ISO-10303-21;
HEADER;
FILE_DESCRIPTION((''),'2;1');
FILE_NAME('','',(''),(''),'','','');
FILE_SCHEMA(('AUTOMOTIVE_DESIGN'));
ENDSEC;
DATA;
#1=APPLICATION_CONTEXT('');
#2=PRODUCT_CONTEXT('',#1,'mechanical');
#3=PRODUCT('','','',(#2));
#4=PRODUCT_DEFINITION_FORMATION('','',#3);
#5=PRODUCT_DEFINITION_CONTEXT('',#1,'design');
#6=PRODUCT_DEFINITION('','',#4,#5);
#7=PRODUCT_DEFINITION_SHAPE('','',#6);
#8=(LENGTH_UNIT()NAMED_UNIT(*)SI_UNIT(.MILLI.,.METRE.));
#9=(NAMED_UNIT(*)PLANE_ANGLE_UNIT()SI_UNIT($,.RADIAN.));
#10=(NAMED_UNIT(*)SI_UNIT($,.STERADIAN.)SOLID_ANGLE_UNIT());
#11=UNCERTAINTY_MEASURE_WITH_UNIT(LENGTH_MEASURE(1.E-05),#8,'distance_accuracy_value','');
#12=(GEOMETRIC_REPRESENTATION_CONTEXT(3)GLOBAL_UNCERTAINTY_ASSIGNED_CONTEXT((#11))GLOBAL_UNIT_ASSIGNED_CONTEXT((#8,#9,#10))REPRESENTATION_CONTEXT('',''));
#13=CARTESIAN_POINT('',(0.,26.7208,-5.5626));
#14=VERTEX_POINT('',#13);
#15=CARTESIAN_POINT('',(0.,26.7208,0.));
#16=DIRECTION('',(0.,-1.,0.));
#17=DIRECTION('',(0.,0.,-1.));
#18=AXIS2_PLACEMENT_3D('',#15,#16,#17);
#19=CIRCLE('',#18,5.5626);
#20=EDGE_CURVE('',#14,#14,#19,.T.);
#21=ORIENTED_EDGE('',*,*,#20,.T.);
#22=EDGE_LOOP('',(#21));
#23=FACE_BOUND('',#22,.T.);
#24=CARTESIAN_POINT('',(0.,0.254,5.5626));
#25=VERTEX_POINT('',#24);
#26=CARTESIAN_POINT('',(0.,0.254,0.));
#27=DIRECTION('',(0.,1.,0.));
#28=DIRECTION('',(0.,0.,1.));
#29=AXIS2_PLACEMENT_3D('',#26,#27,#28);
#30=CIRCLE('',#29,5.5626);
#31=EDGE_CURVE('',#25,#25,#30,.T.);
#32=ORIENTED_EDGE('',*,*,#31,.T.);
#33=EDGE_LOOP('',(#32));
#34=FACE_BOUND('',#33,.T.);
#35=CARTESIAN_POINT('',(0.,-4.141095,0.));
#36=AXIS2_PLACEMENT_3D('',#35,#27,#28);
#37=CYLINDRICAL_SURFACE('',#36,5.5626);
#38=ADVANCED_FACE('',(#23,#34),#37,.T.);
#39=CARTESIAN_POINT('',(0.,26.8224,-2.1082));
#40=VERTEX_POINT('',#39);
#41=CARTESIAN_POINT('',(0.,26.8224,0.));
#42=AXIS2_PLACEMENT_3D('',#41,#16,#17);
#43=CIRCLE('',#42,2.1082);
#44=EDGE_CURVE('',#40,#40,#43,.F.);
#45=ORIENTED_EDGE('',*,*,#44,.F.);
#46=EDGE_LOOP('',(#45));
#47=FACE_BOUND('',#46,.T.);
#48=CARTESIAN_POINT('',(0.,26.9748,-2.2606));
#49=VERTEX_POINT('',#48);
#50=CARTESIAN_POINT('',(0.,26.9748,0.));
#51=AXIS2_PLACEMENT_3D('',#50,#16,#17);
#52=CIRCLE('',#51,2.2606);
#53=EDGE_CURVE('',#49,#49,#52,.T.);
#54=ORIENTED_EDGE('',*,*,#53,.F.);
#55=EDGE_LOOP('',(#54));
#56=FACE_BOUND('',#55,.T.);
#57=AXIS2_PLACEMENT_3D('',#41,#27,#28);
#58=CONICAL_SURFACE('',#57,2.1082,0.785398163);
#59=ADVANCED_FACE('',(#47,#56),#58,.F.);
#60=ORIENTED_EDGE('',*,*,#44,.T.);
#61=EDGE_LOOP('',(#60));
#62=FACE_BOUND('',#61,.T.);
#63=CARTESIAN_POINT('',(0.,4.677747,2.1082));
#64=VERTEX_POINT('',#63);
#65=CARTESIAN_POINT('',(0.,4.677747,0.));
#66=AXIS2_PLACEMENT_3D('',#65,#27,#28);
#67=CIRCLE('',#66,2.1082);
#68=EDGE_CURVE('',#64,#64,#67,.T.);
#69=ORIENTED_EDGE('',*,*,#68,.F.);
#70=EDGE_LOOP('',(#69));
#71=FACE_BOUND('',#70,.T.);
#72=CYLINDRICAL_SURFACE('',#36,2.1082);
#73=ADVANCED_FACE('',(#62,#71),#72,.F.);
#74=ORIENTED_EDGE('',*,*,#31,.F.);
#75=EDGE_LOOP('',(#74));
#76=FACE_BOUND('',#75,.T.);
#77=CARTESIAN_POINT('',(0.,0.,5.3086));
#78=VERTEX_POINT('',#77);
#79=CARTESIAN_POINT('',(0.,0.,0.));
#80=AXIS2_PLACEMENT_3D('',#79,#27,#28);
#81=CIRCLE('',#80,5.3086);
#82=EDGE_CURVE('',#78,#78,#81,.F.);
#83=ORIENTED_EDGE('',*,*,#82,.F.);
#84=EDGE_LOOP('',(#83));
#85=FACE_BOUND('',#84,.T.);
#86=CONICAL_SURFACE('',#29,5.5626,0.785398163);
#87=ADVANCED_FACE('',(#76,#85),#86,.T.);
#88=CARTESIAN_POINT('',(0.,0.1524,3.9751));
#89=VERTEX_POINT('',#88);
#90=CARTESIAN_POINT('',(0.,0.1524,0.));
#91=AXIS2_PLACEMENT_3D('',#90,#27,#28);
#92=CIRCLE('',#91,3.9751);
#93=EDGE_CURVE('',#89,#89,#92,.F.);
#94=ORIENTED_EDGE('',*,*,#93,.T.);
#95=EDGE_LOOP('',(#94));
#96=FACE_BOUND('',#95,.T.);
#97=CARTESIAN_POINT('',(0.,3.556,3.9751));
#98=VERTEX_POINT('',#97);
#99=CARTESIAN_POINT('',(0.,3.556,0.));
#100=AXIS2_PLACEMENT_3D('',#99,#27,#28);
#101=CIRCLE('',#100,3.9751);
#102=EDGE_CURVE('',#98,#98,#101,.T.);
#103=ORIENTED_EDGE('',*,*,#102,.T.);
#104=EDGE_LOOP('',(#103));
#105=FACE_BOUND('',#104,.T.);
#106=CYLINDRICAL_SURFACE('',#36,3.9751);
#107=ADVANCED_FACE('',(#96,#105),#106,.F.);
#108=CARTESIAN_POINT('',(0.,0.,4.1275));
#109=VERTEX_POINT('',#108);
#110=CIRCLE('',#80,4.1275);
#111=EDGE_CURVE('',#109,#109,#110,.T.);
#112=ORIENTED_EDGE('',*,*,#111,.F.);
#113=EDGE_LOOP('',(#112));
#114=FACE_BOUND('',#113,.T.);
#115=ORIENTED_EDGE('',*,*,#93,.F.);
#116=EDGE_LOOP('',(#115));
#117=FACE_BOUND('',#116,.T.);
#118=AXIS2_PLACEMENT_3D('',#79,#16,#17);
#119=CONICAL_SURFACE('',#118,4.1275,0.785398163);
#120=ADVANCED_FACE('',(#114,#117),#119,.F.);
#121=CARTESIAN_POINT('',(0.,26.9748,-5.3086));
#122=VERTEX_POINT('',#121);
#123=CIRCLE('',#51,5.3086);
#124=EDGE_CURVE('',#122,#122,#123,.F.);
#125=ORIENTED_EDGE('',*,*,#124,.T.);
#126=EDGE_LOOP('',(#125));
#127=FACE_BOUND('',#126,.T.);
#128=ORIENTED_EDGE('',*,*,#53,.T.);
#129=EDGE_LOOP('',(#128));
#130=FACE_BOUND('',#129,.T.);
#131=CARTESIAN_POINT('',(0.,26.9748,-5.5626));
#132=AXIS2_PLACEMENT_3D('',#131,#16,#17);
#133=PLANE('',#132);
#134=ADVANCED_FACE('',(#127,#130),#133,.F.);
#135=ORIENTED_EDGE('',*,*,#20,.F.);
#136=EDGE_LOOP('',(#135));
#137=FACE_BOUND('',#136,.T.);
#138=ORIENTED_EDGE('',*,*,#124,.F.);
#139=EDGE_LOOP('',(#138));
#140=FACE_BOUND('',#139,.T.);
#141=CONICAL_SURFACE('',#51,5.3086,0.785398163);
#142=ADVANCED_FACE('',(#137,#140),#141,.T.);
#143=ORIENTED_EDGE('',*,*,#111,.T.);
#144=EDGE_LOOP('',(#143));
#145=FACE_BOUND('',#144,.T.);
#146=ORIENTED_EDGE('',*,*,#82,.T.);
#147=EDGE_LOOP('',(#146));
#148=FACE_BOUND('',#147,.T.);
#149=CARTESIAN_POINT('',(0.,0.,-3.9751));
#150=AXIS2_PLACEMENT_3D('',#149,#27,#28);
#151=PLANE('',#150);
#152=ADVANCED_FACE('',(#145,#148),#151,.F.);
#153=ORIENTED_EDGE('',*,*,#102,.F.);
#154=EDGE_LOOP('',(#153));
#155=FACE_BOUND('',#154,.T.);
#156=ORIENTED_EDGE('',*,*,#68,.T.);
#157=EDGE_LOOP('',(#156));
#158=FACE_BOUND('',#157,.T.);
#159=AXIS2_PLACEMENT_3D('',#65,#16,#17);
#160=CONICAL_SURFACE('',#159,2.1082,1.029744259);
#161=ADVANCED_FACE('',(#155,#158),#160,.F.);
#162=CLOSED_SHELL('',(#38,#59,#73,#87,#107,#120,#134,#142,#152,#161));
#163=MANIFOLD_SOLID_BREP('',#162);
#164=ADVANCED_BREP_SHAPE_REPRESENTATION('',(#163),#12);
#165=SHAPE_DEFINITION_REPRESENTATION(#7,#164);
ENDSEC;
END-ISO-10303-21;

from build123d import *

# Parameters (mm, degrees)
CHAMFER1_SIZE = 0.254
CHAMFER2_SIZE = 0.1524


with BuildPart() as part:
    # Sketch1 → Revolve1 (revolve)
    with BuildSketch(Plane(origin=(0, 0, 0), x_dir=(0, 0, -1), z_dir=(1, 0, 0)), mode=Mode.PRIVATE) as revolve1_sk:
        Polygon((3.9751, 0), (5.5626, 0), (5.5626, 26.9748), (2.1082, 26.9748), (2.1082, 4.67774669), (3.9751, 3.556), align=None)
    revolve(revolve1_sk.sketch.rotate(Axis((0, -4.141094848, 0), (0, -1, 0)), 180), axis=Axis((0, -4.141094848, 0), (0, -1, 0)))

    # Chamfer1
    chamfer1_edges = [part.edges().sort_by_distance(p)[0] for p in [
        (0, 26.9748, -5.5626),
        (0, 0, -5.5626),
    ]]
    chamfer(chamfer1_edges, length=CHAMFER1_SIZE)

    # Chamfer2
    chamfer2_edges = [part.edges().sort_by_distance(p)[0] for p in [
        (0, 26.9748, -2.1082),
        (0, 0, -3.9751),
    ]]
    chamfer(chamfer2_edges, length=CHAMFER2_SIZE)


solid = part.part
